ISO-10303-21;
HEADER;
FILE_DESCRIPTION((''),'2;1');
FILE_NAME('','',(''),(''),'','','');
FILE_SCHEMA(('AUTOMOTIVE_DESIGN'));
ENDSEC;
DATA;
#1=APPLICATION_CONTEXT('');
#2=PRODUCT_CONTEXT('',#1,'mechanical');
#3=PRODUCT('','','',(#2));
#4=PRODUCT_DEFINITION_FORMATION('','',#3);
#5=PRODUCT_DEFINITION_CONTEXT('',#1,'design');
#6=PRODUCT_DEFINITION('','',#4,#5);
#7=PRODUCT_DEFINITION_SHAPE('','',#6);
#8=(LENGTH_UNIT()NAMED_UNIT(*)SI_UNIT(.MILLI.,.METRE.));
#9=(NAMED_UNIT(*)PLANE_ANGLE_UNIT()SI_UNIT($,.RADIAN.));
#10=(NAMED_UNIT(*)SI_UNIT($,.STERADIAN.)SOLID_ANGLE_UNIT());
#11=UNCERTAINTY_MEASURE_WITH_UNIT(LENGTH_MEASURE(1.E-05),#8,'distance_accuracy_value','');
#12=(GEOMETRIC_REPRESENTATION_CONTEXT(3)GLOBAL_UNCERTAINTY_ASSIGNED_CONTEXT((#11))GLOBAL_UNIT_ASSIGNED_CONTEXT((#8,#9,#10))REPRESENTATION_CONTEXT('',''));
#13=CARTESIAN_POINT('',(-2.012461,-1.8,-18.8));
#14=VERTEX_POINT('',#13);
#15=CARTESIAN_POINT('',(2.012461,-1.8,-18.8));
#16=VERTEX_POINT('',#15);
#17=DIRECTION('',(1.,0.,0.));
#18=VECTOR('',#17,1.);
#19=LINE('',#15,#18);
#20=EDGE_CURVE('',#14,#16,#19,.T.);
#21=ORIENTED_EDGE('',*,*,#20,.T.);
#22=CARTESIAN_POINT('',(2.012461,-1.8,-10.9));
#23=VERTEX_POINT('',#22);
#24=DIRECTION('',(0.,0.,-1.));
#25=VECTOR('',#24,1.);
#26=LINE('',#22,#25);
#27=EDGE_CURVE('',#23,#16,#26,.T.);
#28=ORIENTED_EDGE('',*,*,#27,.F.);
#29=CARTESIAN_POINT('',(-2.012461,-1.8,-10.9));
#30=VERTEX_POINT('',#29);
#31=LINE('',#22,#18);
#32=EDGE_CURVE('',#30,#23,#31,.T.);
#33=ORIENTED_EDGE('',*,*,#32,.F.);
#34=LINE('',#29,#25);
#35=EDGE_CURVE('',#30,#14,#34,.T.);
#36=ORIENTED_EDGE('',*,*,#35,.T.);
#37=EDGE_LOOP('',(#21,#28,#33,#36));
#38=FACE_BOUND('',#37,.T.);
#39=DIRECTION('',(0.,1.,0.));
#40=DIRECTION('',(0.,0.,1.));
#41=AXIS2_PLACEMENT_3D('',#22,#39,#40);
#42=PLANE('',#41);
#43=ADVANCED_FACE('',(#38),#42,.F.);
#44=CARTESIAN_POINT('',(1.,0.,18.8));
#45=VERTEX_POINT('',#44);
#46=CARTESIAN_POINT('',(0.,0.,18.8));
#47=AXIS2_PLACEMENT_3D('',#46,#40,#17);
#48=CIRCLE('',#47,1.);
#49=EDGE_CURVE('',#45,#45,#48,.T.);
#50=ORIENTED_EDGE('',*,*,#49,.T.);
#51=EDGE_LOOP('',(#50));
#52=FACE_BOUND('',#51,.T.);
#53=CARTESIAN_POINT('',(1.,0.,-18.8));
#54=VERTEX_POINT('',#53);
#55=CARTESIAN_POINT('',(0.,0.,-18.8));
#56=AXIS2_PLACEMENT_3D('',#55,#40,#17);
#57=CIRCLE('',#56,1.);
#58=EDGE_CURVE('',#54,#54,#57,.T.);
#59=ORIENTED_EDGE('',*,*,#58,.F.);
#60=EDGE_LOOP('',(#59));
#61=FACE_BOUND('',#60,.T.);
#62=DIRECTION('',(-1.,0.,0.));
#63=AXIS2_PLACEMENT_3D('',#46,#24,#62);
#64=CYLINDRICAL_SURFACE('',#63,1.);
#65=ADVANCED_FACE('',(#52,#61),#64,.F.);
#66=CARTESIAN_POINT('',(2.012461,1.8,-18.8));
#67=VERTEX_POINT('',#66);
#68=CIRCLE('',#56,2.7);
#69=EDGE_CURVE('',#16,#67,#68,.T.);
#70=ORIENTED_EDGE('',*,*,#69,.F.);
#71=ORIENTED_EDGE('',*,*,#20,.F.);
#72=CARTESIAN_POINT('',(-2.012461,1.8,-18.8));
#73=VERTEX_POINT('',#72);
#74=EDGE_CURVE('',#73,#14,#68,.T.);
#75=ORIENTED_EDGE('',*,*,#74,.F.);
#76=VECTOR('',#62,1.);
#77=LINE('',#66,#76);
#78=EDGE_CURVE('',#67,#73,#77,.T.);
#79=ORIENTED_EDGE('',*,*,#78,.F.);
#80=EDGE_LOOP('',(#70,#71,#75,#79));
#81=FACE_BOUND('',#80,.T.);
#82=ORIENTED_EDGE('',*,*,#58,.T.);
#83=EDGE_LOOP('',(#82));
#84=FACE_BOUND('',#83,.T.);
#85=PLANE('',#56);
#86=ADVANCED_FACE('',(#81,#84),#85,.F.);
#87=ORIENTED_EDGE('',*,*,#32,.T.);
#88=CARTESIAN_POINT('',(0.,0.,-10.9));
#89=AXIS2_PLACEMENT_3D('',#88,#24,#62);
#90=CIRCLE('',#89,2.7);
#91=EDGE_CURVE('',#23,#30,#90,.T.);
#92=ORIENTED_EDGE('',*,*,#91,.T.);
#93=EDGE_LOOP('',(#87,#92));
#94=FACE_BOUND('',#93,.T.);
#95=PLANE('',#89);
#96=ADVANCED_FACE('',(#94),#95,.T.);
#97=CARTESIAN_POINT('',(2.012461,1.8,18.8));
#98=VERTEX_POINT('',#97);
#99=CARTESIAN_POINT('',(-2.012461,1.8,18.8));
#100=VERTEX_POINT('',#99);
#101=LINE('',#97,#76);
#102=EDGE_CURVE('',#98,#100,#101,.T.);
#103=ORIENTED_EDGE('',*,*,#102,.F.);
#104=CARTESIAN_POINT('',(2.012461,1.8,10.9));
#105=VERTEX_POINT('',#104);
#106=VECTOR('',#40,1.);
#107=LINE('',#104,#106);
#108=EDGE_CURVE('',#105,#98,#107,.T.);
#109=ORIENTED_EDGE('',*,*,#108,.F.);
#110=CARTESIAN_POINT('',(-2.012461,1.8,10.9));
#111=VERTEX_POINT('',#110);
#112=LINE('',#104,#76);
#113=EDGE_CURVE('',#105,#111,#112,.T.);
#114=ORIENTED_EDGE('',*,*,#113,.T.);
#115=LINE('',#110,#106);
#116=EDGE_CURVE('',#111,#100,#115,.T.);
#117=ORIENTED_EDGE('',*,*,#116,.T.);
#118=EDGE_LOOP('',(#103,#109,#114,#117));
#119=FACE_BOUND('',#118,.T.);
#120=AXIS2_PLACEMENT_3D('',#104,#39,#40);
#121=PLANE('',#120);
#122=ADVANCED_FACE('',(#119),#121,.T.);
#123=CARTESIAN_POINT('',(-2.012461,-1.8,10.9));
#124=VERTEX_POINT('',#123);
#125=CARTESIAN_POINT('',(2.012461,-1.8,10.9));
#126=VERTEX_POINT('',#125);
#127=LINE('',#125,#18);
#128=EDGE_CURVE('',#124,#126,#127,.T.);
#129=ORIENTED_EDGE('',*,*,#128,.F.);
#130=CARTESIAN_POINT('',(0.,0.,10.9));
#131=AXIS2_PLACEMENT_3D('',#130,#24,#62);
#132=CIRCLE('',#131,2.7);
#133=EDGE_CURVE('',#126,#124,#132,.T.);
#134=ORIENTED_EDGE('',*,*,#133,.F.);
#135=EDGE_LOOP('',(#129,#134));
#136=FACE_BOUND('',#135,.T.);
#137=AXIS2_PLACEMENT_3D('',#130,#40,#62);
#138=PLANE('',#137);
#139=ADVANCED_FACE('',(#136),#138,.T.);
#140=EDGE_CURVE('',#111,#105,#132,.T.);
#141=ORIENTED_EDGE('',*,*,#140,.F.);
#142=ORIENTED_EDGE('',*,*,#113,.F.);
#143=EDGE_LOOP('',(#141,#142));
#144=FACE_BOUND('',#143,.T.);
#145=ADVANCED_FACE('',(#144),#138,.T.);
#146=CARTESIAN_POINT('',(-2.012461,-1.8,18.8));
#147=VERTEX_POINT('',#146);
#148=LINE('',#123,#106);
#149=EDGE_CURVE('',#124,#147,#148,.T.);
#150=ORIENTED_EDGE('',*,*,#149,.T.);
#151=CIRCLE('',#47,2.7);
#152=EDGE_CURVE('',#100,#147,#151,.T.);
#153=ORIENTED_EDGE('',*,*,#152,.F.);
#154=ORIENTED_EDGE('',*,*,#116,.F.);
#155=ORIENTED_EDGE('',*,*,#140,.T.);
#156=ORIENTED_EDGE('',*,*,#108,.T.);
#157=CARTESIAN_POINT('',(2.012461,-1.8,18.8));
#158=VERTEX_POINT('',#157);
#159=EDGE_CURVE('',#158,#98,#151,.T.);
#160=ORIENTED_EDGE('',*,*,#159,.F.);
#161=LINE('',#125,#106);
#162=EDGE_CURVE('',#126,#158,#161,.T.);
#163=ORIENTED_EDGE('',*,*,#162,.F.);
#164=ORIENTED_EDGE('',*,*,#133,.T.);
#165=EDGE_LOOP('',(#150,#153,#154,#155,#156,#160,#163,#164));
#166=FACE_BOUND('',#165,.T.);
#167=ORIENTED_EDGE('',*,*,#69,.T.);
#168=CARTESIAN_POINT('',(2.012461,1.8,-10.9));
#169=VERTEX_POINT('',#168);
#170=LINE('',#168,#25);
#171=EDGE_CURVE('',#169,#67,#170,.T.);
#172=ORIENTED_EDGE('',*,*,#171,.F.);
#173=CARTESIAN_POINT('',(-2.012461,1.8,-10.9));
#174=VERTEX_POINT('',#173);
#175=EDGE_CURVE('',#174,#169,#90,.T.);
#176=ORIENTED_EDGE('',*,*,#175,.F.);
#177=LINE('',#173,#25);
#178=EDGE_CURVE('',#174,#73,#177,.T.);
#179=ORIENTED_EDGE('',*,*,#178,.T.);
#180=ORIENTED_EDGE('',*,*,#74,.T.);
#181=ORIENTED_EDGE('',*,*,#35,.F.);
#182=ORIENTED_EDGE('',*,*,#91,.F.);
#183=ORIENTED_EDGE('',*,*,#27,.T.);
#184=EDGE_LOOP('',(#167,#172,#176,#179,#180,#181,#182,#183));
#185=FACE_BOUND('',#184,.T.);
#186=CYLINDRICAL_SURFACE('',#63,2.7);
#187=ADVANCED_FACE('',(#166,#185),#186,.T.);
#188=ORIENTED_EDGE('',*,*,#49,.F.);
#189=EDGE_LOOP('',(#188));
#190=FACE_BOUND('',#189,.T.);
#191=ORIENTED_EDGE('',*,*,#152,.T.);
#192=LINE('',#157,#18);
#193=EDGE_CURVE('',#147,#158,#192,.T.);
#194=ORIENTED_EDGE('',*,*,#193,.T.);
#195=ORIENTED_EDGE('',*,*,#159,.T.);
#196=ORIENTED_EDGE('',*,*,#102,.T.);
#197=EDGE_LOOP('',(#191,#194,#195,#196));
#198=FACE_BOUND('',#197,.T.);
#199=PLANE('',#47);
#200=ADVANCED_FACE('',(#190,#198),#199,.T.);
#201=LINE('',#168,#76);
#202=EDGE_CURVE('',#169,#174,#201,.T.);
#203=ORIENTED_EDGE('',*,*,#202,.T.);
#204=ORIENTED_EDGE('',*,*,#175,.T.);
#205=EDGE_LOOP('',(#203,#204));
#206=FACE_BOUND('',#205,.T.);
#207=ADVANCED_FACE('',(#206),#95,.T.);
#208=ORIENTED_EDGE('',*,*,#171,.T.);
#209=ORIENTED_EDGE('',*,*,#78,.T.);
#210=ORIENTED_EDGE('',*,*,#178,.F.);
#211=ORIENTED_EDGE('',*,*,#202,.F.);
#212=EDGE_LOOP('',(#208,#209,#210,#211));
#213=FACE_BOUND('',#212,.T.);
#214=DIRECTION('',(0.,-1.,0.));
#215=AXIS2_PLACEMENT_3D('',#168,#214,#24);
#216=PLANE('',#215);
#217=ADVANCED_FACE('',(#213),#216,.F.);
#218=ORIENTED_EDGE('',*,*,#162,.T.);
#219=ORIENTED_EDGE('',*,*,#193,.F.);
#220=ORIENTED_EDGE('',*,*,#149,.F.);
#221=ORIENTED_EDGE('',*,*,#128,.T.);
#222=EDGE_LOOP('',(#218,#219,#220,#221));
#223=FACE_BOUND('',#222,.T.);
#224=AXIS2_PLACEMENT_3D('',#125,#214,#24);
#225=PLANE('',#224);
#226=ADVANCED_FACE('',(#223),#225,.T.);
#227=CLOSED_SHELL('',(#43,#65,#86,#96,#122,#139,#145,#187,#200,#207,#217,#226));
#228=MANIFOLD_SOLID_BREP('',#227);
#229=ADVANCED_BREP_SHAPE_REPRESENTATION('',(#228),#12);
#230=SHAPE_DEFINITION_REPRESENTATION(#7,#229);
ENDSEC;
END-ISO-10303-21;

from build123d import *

# Parameters (mm, degrees)
CROQUIS1_R              = 2.7
CROQUIS1_R_2            = 1
SALIENTE_EXTRUIR1_DEPTH = 18.8
CORTAR_EXTRUIR2_START   = -7.9
CORTAR_EXTRUIR2_DEPTH   = 7.9


with BuildPart() as part:
    # Croquis1 → Saliente-Extruir1 (new, symmetric)
    with BuildSketch(Plane.XY):
        Circle(CROQUIS1_R)
        Circle(CROQUIS1_R_2, mode=Mode.SUBTRACT)
    extrude(amount=SALIENTE_EXTRUIR1_DEPTH, both=True)

    # Croquis4 → Cortar-Extruir2 (cut)
    with BuildSketch(Plane(origin=(0, 0, -18.8), x_dir=(-1, 0, 0), z_dir=(0, 0, -1)).offset(CORTAR_EXTRUIR2_START)):
        with BuildLine():
            Line((-2.01246118, 1.8), (2.01246118, 1.8))
            ThreePointArc((2.01246118, 1.8), (0, 2.7), (-2.01246118, 1.8))
        make_face()
        with BuildLine():
            Line((-2.01246118, -1.8), (2.01246118, -1.8))
            ThreePointArc((2.01246118, -1.8), (0, -2.7), (-2.01246118, -1.8))
        make_face()
    cortar_extruir2 = extrude(amount=CORTAR_EXTRUIR2_DEPTH, mode=Mode.SUBTRACT)

    # Simetría1: Cortar-Extruir2 across plane
    add(cortar_extruir2.mirror(Plane.XY), mode=Mode.SUBTRACT)


solid = part.part
